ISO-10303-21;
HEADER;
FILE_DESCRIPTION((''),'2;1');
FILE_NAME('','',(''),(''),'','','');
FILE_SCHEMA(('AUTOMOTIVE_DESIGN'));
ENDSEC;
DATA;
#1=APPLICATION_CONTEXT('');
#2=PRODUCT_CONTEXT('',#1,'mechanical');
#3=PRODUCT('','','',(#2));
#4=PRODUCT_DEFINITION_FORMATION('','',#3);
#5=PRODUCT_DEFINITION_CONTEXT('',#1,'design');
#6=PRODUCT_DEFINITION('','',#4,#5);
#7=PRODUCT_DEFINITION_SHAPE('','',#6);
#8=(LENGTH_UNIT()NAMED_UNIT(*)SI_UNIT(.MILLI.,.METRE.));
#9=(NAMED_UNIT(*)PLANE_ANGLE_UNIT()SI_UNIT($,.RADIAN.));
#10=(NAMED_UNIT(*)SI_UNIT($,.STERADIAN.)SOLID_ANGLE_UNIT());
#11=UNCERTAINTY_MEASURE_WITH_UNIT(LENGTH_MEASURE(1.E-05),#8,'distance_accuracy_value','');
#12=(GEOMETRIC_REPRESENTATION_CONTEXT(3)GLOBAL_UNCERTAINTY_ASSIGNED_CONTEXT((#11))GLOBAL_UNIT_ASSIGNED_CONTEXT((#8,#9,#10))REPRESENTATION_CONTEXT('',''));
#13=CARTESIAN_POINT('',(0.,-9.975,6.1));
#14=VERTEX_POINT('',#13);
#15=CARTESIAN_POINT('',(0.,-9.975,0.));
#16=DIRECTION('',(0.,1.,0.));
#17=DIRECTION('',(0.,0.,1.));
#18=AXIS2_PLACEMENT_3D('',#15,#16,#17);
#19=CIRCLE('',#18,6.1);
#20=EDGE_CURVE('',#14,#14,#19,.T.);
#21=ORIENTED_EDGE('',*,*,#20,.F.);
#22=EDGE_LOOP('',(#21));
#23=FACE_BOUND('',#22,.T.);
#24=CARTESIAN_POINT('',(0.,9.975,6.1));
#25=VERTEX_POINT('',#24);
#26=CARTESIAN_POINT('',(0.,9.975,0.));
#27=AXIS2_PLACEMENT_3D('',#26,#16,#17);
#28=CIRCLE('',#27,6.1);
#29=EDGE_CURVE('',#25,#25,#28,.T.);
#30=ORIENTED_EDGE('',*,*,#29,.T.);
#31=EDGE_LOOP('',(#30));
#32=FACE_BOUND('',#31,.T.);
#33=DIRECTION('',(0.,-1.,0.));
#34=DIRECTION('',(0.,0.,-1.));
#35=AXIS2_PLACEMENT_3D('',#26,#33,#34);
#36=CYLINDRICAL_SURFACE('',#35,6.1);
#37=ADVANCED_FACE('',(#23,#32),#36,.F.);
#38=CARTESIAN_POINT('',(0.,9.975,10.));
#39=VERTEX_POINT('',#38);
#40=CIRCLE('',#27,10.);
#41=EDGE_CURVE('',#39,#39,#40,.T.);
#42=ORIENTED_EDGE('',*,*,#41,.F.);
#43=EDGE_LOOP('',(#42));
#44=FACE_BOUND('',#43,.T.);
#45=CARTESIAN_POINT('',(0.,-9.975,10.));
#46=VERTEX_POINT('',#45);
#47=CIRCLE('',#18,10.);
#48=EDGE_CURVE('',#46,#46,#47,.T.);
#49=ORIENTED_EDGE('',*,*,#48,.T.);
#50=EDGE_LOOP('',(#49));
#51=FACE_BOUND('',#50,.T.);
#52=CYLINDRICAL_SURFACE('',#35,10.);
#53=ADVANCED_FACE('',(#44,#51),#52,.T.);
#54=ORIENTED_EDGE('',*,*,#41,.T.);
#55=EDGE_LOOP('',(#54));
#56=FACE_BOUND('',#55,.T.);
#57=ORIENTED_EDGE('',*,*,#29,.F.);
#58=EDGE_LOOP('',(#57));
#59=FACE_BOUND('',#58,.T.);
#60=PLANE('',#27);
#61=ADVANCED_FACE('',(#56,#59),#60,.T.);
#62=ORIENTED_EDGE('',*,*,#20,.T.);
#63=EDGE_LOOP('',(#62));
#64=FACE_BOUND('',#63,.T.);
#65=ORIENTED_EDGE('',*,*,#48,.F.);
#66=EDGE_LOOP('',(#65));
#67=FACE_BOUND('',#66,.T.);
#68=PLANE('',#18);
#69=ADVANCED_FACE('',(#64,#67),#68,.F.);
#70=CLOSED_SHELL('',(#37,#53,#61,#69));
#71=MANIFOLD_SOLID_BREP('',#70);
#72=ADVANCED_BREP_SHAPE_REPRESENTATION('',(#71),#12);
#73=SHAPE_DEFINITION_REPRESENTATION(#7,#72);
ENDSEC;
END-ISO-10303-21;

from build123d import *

# Parameters (mm, degrees)
SKETCH1_R           = 10
SKETCH1_R_2         = 6.1
BOSS_EXTRUDE1_DEPTH = 9.975


with BuildPart() as part:
    # Sketch1 → Boss-Extrude1 (new, symmetric)
    with BuildSketch(Plane(origin=(0, 0, 0), x_dir=(1, 0, 0), z_dir=(0, 1, 0))):
        with Locations(Location((0, 0, 0), (0, 0, 270))):
            Circle(SKETCH1_R)
        with Locations(Location((0, 0, 0), (0, 0, 270))):
            Circle(SKETCH1_R_2, mode=Mode.SUBTRACT)
    extrude(amount=BOSS_EXTRUDE1_DEPTH, both=True)


solid = part.part
